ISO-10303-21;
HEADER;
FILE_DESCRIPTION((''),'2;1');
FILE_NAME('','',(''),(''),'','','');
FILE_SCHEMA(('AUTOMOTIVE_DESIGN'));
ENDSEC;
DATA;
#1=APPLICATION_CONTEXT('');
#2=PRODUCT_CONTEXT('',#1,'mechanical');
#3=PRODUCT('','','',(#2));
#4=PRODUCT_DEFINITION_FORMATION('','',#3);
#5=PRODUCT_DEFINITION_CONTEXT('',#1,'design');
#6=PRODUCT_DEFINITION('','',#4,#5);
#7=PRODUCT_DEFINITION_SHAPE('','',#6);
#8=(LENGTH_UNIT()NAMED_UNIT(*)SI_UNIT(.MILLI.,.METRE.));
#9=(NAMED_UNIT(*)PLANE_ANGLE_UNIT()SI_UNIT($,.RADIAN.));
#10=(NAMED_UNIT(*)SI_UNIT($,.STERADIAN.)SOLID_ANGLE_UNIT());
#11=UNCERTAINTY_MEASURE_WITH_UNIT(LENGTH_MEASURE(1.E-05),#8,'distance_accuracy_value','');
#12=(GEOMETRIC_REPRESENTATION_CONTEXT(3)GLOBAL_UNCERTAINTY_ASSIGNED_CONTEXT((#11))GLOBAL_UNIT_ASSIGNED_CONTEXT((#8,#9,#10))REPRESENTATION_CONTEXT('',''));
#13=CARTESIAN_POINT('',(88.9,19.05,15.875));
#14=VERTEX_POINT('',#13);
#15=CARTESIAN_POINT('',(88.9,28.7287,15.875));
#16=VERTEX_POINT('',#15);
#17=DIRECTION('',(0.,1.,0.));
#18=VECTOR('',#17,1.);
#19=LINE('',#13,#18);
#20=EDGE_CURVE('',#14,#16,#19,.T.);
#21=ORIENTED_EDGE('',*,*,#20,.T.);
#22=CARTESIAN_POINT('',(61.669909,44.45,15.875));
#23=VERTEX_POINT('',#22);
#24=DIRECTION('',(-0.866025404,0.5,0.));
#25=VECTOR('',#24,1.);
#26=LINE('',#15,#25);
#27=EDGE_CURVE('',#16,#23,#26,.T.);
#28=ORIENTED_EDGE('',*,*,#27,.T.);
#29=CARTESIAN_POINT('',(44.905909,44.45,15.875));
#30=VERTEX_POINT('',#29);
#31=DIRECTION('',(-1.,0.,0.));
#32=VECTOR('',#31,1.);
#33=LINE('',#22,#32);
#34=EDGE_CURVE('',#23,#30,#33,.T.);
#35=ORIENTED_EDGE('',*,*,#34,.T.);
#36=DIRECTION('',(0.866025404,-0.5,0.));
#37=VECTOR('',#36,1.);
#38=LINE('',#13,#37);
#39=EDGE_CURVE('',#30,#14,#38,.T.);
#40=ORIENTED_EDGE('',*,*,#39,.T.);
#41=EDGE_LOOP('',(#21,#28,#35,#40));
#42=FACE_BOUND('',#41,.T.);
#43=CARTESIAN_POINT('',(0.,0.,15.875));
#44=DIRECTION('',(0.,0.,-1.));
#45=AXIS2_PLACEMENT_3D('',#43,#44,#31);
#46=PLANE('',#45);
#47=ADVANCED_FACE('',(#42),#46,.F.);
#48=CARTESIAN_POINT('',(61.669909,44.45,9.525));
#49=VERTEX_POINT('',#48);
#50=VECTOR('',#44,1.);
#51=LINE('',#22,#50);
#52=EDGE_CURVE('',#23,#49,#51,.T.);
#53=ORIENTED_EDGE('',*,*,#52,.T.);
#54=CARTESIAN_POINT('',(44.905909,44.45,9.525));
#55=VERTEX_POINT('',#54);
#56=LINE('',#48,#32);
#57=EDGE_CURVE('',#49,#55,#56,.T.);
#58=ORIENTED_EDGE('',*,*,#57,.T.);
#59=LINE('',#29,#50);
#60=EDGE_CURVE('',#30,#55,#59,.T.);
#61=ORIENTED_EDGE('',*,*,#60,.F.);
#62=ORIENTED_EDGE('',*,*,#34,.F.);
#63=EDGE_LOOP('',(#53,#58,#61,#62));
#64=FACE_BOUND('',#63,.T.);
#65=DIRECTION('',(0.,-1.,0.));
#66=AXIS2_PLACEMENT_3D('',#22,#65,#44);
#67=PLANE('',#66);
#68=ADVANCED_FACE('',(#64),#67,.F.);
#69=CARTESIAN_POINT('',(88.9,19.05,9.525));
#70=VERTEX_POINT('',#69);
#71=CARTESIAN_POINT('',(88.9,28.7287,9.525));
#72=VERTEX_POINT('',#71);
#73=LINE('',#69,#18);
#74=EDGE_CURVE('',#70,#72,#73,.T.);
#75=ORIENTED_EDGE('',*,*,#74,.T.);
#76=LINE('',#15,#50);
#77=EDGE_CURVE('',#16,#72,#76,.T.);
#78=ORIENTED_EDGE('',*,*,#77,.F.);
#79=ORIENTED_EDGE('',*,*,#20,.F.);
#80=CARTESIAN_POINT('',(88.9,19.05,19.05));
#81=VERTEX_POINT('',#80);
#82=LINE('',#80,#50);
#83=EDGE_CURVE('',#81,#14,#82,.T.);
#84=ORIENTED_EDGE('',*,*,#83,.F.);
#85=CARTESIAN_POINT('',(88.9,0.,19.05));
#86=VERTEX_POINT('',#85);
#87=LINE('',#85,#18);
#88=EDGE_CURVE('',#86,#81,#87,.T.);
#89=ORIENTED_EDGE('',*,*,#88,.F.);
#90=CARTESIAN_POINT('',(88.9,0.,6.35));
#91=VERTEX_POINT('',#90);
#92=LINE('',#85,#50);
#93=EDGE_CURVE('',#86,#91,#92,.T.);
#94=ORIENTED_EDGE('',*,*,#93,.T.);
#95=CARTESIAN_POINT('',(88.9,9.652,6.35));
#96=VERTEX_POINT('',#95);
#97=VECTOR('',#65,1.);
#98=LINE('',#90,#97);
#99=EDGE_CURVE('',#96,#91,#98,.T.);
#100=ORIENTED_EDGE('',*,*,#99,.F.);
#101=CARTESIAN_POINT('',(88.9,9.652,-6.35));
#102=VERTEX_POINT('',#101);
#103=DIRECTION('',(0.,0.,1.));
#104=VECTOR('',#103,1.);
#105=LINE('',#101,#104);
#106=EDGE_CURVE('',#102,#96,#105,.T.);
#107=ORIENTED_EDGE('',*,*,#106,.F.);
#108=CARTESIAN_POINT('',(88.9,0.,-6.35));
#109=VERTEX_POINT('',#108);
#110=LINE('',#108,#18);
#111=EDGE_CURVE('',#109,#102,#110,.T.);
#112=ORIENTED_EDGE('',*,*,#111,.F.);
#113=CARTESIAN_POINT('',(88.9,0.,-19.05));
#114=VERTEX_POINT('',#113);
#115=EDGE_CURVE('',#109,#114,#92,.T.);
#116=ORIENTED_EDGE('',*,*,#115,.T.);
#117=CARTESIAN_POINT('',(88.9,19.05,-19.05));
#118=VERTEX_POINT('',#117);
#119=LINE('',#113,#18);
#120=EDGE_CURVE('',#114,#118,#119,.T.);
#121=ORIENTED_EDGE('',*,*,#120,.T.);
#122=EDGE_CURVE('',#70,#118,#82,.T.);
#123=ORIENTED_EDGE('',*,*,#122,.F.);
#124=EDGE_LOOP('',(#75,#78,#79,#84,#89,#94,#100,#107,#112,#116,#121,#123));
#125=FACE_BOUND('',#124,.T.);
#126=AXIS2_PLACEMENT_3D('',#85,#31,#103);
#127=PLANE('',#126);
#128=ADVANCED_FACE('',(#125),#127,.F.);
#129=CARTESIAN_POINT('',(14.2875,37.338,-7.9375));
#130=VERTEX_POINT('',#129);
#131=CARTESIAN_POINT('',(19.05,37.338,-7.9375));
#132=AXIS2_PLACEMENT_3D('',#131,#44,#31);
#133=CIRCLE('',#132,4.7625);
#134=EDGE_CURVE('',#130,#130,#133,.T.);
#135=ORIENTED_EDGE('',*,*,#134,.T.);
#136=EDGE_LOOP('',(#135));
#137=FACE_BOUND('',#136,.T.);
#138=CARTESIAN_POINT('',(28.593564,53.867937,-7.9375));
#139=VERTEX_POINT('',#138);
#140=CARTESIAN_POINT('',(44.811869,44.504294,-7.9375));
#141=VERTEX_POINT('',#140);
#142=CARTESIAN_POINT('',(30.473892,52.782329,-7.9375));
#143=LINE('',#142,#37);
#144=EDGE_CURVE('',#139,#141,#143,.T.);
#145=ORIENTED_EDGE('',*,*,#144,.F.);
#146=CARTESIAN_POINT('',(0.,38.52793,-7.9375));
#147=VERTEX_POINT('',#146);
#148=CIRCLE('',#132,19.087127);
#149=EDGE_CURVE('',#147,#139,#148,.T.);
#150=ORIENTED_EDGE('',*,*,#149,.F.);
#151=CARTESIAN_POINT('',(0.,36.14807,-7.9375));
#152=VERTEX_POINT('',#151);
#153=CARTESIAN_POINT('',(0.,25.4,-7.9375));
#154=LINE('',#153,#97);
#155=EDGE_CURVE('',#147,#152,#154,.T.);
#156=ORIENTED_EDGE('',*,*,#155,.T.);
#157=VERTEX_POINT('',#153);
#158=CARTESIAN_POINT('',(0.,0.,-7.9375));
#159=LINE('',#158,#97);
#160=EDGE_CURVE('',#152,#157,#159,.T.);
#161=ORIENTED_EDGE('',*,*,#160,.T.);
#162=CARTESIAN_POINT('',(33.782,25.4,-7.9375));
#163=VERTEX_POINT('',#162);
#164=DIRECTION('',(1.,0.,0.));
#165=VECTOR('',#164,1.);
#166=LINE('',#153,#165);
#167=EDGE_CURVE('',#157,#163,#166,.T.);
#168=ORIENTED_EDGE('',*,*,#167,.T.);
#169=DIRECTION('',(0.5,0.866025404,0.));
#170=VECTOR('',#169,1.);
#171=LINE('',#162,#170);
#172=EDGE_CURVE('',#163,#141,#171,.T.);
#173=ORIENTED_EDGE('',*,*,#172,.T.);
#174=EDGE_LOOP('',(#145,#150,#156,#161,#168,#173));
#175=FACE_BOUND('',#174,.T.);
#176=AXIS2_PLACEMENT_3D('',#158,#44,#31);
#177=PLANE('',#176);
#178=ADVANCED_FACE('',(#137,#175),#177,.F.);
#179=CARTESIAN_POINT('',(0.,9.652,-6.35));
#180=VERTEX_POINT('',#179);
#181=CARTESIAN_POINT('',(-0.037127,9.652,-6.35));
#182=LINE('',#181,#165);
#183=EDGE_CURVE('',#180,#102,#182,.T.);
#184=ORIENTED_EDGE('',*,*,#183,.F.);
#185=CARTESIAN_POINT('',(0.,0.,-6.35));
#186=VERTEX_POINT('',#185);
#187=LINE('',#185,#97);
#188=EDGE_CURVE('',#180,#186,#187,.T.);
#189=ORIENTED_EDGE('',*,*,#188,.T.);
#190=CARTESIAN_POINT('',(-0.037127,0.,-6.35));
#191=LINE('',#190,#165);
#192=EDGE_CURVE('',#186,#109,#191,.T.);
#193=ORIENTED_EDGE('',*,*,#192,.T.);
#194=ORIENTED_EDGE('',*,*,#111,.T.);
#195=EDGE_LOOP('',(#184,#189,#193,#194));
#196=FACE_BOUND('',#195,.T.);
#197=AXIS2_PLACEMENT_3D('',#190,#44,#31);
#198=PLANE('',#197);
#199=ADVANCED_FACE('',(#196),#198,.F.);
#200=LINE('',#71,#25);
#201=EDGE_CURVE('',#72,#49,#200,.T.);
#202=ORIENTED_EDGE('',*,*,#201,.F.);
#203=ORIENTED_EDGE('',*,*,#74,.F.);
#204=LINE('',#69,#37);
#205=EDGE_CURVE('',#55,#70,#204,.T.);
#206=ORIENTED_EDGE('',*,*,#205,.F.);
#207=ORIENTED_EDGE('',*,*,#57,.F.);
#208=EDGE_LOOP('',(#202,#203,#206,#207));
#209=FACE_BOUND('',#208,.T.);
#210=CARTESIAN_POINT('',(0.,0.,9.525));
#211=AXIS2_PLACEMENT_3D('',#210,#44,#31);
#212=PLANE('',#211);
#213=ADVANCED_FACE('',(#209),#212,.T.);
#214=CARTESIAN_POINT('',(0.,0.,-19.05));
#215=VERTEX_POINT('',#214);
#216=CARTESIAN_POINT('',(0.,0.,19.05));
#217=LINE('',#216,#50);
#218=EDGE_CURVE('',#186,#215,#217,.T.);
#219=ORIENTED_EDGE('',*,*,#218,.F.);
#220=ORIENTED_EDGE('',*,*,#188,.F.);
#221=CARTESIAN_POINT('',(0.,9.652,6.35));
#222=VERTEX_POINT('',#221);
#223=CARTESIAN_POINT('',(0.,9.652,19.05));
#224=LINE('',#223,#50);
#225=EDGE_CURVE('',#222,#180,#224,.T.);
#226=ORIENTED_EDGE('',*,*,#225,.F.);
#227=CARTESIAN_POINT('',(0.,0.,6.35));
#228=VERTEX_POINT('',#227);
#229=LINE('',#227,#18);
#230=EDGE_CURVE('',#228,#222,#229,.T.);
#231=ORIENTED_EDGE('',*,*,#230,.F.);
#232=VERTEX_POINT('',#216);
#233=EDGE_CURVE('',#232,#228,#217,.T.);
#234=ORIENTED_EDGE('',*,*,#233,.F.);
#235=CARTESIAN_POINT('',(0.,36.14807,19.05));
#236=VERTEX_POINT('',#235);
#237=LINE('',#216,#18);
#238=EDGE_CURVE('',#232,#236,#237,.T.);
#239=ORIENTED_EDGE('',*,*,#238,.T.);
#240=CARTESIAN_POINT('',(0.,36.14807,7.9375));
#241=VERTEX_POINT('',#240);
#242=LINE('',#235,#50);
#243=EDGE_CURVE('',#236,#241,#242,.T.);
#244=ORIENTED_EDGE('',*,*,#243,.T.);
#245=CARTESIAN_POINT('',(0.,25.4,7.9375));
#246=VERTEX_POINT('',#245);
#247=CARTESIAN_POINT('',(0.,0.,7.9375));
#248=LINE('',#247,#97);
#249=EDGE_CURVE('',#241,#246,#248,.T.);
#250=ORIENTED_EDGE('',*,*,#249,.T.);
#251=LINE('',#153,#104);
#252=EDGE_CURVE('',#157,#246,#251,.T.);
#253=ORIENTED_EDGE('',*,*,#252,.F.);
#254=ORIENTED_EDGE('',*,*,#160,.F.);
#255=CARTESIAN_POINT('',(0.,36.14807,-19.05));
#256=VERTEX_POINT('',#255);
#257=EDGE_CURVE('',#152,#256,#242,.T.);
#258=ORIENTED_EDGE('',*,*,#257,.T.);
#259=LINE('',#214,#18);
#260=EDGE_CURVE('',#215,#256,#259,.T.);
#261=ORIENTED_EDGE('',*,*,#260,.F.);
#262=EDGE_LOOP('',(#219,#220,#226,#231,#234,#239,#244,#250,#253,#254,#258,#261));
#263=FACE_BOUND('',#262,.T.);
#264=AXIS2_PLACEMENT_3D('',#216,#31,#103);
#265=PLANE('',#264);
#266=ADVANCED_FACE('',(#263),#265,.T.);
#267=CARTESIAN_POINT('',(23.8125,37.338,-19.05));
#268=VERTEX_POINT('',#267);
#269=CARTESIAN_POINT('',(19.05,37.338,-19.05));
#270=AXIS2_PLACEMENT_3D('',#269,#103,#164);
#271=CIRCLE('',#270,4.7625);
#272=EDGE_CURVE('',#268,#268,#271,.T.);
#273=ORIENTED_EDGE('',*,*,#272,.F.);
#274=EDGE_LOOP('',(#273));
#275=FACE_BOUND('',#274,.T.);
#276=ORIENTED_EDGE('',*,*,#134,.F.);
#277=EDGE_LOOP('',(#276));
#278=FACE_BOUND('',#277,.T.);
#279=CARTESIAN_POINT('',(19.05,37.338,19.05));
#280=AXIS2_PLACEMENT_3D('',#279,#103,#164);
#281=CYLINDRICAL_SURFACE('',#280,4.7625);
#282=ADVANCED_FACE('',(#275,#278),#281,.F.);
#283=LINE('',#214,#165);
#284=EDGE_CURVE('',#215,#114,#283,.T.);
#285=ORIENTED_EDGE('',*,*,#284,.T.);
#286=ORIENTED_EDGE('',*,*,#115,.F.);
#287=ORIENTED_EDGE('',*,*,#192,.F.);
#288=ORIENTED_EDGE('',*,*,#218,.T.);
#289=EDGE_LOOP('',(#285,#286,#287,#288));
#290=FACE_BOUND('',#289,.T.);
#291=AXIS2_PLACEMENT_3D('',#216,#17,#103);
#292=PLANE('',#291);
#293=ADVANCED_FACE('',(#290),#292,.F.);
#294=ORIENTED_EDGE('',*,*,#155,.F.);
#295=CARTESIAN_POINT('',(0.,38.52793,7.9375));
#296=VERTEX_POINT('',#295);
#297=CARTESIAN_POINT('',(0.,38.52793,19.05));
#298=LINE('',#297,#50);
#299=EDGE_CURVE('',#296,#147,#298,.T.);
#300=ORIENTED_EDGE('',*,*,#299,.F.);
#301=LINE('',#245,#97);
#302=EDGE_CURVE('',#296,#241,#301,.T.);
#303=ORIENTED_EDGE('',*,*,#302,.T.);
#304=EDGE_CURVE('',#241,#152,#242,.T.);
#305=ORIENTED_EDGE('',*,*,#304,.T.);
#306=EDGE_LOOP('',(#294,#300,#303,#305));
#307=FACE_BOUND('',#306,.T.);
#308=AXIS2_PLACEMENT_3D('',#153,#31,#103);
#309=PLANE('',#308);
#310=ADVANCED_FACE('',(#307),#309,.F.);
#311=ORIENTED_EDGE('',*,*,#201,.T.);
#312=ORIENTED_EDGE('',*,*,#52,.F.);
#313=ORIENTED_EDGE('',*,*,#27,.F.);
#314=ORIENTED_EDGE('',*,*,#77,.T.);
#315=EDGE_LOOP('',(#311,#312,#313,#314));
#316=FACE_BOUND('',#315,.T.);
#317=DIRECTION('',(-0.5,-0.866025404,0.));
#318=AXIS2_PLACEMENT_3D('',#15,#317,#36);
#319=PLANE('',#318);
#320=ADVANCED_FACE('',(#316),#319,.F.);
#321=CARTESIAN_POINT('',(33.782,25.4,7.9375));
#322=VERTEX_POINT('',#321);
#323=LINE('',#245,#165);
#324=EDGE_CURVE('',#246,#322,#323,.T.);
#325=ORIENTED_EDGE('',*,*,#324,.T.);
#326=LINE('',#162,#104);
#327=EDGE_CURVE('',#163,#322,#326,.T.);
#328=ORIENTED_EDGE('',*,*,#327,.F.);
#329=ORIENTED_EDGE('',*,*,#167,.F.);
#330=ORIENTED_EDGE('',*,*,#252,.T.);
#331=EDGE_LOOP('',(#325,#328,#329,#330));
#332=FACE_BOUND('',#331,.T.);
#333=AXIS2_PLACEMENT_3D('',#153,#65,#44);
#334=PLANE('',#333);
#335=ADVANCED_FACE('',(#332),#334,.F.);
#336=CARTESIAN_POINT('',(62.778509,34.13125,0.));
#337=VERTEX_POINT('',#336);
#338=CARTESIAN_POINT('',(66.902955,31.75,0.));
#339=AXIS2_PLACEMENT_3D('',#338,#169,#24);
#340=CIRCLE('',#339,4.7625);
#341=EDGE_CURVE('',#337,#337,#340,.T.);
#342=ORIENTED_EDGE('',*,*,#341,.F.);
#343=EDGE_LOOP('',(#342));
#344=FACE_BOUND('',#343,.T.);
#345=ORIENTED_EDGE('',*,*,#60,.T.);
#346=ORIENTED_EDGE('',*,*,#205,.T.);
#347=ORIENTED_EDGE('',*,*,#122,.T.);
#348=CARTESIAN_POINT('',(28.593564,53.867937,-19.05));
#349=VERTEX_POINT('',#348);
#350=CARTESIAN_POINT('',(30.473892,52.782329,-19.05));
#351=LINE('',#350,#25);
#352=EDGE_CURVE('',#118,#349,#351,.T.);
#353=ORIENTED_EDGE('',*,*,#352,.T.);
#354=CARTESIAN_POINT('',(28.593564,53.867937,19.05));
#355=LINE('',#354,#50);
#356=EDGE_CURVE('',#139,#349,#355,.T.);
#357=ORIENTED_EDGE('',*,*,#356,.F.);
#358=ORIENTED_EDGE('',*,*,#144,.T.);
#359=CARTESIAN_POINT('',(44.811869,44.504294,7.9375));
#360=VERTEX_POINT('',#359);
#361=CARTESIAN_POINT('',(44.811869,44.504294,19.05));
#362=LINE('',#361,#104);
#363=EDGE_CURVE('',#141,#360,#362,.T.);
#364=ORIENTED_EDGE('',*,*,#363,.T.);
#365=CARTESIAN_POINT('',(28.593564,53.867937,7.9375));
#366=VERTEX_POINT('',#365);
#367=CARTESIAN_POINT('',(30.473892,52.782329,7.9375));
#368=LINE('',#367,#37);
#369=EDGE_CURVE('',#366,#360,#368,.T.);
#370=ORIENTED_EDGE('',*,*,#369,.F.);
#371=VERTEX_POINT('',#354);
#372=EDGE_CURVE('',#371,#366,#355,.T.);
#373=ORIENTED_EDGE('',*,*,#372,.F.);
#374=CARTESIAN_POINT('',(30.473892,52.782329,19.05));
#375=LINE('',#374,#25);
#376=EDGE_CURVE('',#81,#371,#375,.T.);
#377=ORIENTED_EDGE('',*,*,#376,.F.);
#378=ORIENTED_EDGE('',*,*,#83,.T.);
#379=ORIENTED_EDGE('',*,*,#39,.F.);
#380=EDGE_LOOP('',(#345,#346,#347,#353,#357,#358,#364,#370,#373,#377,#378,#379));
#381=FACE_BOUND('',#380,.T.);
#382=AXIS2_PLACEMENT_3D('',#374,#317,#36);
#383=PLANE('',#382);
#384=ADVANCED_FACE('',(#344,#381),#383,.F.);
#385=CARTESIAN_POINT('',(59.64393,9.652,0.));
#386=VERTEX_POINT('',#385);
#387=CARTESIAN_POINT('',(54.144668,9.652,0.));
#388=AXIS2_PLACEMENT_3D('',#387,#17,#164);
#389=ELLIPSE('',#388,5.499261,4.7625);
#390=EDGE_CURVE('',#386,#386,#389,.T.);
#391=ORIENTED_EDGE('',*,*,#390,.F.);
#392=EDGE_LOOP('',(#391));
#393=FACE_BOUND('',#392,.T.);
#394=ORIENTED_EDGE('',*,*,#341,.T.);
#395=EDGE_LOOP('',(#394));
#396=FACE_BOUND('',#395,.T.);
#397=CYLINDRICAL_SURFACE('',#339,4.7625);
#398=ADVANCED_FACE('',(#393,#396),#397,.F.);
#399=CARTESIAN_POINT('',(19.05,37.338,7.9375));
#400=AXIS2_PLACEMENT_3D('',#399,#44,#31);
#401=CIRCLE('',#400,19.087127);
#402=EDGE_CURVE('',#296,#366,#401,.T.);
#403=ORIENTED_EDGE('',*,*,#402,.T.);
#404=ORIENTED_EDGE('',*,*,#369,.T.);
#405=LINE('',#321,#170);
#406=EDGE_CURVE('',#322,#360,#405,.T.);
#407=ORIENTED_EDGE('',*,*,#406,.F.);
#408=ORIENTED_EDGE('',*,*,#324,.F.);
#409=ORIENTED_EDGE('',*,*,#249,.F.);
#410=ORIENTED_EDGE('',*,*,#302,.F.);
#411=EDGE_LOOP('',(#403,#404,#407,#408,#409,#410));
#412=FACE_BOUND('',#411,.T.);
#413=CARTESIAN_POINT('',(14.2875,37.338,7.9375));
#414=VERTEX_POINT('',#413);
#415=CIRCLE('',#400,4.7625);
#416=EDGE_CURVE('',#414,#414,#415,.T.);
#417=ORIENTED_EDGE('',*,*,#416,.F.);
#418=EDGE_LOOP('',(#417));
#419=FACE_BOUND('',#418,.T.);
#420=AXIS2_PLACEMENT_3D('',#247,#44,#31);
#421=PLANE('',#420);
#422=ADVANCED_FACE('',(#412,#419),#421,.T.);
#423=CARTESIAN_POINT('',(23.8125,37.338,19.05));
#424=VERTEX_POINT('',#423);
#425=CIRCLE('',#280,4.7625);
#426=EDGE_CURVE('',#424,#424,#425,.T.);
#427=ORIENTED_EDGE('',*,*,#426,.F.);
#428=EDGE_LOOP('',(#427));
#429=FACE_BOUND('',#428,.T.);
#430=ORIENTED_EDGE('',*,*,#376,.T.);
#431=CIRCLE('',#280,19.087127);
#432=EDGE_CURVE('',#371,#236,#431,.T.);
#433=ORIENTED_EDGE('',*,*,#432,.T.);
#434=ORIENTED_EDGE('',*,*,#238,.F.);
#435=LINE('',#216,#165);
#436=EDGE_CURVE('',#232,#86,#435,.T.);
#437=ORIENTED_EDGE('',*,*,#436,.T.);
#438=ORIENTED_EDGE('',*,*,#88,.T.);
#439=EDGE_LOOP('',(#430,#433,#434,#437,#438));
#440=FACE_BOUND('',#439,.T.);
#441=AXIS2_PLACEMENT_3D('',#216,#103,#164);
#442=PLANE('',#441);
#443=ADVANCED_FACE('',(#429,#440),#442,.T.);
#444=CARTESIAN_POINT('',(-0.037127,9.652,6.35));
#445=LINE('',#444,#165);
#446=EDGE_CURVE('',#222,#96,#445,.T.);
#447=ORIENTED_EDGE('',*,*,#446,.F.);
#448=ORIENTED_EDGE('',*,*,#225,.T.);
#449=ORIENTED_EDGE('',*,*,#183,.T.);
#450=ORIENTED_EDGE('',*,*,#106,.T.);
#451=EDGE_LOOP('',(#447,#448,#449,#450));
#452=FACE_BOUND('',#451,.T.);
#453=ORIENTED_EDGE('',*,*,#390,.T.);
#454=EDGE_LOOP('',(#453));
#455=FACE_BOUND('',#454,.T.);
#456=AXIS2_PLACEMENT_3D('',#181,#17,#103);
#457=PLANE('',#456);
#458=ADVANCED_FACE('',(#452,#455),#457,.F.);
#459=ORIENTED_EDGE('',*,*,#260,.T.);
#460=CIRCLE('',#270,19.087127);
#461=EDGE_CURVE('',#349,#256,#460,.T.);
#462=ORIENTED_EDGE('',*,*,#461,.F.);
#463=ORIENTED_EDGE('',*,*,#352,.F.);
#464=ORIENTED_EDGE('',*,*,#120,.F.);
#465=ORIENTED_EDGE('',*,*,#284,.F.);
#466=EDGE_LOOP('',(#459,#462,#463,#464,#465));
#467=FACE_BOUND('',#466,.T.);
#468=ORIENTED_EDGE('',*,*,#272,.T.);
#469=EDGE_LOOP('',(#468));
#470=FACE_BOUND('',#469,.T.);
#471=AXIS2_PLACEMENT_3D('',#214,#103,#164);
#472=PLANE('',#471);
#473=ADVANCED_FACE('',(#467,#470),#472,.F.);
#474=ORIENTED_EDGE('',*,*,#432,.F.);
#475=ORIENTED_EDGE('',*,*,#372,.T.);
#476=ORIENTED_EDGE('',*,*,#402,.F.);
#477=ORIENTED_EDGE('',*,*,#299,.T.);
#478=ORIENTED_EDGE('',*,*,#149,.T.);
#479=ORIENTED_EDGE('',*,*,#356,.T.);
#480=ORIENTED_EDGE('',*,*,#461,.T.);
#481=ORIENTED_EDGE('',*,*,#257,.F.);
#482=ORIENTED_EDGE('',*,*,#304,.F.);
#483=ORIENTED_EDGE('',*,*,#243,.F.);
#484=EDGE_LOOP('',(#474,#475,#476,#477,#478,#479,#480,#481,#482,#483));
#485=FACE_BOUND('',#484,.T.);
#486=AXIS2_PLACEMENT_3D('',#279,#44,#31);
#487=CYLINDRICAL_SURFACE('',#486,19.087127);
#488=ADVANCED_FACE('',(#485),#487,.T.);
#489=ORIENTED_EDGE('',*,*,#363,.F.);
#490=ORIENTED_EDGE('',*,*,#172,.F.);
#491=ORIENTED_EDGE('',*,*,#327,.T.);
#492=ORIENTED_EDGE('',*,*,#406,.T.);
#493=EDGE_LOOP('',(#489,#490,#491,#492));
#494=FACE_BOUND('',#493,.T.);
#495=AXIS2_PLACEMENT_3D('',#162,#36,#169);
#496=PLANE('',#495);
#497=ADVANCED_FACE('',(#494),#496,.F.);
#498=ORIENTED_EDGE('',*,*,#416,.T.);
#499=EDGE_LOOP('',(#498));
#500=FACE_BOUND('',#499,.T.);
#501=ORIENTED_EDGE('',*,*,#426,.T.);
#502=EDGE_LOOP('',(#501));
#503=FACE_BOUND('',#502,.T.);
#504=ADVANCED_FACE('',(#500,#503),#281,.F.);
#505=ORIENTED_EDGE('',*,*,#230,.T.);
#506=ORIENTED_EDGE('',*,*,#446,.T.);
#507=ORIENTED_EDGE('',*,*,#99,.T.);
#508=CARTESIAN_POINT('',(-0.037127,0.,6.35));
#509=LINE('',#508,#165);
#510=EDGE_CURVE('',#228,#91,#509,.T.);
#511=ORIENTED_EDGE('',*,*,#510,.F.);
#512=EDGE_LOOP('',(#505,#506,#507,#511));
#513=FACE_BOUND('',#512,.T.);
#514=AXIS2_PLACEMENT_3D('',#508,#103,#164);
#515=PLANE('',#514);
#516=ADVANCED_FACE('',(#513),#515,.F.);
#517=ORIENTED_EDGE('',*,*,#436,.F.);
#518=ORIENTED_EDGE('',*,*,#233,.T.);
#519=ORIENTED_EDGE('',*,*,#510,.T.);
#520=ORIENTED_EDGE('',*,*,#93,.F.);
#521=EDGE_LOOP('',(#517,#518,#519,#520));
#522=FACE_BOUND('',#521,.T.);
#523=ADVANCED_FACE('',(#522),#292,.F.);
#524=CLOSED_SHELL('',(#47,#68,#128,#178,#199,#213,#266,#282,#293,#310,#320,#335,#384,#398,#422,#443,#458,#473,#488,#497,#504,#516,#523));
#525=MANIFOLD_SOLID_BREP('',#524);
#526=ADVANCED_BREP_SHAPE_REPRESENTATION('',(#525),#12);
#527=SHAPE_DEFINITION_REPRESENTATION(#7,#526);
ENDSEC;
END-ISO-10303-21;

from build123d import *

# Parameters (mm, degrees)
BOSS_EXTRUDE1_DEPTH          = 19.05
SKETCH2_W                    = 12.7
SKETCH2_H                    = 9.652
CUT_EXTRUDE1_DEPTH           = 108.035088344
BOSS_EXTRUDE2_DEPTH          = 3.175
CUT_EXTRUDE12_DEPTH          = 7.9375
F_1_2_0_375_DIAMETER_HOLE1_D = 9.525
F_1_2_0_375_DIAMETER_HOLE2_D = 9.525


with BuildPart() as part:
    # Sketch1 → Boss-Extrude1 (new, symmetric)
    with BuildSketch(Plane.XY):
        with BuildLine():
            Line((0, 36.148070179), (0, 0))
            Line((0, 0), (88.9, 0))
            Line((88.9, 0), (88.9, 19.05))
            Line((88.9, 19.05), (28.593563708, 53.867937227))
            ThreePointArc((28.593563708, 53.867937227), (8.995572876, 53.562269727), (0, 36.148070179))
        make_face()
    extrude(amount=BOSS_EXTRUDE1_DEPTH, both=True)

    # Sketch2 → Cut-Extrude1 (cut, through all)
    with BuildSketch(Plane(origin=(88.9, 0, 0), x_dir=(0, 0, -1), z_dir=(1, 0, 0))):
        with Locations((0, 4.826)):
            Rectangle(SKETCH2_W, SKETCH2_H)
    extrude(amount=-CUT_EXTRUDE1_DEPTH, mode=Mode.SUBTRACT)

    # Sketch3 → Boss-Extrude2 (add, symmetric)
    with BuildSketch(Plane.XY.offset(12.7)):
        Polygon((88.9, 28.728699913), (61.669909488, 44.45), (44.905909488, 44.45), (88.9, 19.05), align=None)
    extrude(amount=BOSS_EXTRUDE2_DEPTH, both=True)

    # Sketch17 → Cut-Extrude12 (cut, symmetric)
    with BuildSketch(Plane.XY):
        Polygon((0, 25.4), (33.782, 25.4), (51.929375197, 56.832175865), (0, 56.832175865), align=None)
    extrude(amount=CUT_EXTRUDE12_DEPTH, both=True, mode=Mode.SUBTRACT)

    # 1/2 (0.375) Diameter Hole1 (through all)
    with Locations(Plane(origin=(30.473891971, 52.782329198, 0), x_dir=(0.8660254037844419, -0.4999999999999945, 0), z_dir=(0.49999999999999445, 0.8660254037844418, 0))):
        with Locations((42.064658396, 0)):
            Hole(F_1_2_0_375_DIAMETER_HOLE1_D / 2)

    # 1/2 (0.375) Diameter Hole2 (through all)
    with Locations(Plane.XY.offset(19.05)):
        with Locations((19.05, 37.338)):
            Hole(F_1_2_0_375_DIAMETER_HOLE2_D / 2)


solid = part.part
